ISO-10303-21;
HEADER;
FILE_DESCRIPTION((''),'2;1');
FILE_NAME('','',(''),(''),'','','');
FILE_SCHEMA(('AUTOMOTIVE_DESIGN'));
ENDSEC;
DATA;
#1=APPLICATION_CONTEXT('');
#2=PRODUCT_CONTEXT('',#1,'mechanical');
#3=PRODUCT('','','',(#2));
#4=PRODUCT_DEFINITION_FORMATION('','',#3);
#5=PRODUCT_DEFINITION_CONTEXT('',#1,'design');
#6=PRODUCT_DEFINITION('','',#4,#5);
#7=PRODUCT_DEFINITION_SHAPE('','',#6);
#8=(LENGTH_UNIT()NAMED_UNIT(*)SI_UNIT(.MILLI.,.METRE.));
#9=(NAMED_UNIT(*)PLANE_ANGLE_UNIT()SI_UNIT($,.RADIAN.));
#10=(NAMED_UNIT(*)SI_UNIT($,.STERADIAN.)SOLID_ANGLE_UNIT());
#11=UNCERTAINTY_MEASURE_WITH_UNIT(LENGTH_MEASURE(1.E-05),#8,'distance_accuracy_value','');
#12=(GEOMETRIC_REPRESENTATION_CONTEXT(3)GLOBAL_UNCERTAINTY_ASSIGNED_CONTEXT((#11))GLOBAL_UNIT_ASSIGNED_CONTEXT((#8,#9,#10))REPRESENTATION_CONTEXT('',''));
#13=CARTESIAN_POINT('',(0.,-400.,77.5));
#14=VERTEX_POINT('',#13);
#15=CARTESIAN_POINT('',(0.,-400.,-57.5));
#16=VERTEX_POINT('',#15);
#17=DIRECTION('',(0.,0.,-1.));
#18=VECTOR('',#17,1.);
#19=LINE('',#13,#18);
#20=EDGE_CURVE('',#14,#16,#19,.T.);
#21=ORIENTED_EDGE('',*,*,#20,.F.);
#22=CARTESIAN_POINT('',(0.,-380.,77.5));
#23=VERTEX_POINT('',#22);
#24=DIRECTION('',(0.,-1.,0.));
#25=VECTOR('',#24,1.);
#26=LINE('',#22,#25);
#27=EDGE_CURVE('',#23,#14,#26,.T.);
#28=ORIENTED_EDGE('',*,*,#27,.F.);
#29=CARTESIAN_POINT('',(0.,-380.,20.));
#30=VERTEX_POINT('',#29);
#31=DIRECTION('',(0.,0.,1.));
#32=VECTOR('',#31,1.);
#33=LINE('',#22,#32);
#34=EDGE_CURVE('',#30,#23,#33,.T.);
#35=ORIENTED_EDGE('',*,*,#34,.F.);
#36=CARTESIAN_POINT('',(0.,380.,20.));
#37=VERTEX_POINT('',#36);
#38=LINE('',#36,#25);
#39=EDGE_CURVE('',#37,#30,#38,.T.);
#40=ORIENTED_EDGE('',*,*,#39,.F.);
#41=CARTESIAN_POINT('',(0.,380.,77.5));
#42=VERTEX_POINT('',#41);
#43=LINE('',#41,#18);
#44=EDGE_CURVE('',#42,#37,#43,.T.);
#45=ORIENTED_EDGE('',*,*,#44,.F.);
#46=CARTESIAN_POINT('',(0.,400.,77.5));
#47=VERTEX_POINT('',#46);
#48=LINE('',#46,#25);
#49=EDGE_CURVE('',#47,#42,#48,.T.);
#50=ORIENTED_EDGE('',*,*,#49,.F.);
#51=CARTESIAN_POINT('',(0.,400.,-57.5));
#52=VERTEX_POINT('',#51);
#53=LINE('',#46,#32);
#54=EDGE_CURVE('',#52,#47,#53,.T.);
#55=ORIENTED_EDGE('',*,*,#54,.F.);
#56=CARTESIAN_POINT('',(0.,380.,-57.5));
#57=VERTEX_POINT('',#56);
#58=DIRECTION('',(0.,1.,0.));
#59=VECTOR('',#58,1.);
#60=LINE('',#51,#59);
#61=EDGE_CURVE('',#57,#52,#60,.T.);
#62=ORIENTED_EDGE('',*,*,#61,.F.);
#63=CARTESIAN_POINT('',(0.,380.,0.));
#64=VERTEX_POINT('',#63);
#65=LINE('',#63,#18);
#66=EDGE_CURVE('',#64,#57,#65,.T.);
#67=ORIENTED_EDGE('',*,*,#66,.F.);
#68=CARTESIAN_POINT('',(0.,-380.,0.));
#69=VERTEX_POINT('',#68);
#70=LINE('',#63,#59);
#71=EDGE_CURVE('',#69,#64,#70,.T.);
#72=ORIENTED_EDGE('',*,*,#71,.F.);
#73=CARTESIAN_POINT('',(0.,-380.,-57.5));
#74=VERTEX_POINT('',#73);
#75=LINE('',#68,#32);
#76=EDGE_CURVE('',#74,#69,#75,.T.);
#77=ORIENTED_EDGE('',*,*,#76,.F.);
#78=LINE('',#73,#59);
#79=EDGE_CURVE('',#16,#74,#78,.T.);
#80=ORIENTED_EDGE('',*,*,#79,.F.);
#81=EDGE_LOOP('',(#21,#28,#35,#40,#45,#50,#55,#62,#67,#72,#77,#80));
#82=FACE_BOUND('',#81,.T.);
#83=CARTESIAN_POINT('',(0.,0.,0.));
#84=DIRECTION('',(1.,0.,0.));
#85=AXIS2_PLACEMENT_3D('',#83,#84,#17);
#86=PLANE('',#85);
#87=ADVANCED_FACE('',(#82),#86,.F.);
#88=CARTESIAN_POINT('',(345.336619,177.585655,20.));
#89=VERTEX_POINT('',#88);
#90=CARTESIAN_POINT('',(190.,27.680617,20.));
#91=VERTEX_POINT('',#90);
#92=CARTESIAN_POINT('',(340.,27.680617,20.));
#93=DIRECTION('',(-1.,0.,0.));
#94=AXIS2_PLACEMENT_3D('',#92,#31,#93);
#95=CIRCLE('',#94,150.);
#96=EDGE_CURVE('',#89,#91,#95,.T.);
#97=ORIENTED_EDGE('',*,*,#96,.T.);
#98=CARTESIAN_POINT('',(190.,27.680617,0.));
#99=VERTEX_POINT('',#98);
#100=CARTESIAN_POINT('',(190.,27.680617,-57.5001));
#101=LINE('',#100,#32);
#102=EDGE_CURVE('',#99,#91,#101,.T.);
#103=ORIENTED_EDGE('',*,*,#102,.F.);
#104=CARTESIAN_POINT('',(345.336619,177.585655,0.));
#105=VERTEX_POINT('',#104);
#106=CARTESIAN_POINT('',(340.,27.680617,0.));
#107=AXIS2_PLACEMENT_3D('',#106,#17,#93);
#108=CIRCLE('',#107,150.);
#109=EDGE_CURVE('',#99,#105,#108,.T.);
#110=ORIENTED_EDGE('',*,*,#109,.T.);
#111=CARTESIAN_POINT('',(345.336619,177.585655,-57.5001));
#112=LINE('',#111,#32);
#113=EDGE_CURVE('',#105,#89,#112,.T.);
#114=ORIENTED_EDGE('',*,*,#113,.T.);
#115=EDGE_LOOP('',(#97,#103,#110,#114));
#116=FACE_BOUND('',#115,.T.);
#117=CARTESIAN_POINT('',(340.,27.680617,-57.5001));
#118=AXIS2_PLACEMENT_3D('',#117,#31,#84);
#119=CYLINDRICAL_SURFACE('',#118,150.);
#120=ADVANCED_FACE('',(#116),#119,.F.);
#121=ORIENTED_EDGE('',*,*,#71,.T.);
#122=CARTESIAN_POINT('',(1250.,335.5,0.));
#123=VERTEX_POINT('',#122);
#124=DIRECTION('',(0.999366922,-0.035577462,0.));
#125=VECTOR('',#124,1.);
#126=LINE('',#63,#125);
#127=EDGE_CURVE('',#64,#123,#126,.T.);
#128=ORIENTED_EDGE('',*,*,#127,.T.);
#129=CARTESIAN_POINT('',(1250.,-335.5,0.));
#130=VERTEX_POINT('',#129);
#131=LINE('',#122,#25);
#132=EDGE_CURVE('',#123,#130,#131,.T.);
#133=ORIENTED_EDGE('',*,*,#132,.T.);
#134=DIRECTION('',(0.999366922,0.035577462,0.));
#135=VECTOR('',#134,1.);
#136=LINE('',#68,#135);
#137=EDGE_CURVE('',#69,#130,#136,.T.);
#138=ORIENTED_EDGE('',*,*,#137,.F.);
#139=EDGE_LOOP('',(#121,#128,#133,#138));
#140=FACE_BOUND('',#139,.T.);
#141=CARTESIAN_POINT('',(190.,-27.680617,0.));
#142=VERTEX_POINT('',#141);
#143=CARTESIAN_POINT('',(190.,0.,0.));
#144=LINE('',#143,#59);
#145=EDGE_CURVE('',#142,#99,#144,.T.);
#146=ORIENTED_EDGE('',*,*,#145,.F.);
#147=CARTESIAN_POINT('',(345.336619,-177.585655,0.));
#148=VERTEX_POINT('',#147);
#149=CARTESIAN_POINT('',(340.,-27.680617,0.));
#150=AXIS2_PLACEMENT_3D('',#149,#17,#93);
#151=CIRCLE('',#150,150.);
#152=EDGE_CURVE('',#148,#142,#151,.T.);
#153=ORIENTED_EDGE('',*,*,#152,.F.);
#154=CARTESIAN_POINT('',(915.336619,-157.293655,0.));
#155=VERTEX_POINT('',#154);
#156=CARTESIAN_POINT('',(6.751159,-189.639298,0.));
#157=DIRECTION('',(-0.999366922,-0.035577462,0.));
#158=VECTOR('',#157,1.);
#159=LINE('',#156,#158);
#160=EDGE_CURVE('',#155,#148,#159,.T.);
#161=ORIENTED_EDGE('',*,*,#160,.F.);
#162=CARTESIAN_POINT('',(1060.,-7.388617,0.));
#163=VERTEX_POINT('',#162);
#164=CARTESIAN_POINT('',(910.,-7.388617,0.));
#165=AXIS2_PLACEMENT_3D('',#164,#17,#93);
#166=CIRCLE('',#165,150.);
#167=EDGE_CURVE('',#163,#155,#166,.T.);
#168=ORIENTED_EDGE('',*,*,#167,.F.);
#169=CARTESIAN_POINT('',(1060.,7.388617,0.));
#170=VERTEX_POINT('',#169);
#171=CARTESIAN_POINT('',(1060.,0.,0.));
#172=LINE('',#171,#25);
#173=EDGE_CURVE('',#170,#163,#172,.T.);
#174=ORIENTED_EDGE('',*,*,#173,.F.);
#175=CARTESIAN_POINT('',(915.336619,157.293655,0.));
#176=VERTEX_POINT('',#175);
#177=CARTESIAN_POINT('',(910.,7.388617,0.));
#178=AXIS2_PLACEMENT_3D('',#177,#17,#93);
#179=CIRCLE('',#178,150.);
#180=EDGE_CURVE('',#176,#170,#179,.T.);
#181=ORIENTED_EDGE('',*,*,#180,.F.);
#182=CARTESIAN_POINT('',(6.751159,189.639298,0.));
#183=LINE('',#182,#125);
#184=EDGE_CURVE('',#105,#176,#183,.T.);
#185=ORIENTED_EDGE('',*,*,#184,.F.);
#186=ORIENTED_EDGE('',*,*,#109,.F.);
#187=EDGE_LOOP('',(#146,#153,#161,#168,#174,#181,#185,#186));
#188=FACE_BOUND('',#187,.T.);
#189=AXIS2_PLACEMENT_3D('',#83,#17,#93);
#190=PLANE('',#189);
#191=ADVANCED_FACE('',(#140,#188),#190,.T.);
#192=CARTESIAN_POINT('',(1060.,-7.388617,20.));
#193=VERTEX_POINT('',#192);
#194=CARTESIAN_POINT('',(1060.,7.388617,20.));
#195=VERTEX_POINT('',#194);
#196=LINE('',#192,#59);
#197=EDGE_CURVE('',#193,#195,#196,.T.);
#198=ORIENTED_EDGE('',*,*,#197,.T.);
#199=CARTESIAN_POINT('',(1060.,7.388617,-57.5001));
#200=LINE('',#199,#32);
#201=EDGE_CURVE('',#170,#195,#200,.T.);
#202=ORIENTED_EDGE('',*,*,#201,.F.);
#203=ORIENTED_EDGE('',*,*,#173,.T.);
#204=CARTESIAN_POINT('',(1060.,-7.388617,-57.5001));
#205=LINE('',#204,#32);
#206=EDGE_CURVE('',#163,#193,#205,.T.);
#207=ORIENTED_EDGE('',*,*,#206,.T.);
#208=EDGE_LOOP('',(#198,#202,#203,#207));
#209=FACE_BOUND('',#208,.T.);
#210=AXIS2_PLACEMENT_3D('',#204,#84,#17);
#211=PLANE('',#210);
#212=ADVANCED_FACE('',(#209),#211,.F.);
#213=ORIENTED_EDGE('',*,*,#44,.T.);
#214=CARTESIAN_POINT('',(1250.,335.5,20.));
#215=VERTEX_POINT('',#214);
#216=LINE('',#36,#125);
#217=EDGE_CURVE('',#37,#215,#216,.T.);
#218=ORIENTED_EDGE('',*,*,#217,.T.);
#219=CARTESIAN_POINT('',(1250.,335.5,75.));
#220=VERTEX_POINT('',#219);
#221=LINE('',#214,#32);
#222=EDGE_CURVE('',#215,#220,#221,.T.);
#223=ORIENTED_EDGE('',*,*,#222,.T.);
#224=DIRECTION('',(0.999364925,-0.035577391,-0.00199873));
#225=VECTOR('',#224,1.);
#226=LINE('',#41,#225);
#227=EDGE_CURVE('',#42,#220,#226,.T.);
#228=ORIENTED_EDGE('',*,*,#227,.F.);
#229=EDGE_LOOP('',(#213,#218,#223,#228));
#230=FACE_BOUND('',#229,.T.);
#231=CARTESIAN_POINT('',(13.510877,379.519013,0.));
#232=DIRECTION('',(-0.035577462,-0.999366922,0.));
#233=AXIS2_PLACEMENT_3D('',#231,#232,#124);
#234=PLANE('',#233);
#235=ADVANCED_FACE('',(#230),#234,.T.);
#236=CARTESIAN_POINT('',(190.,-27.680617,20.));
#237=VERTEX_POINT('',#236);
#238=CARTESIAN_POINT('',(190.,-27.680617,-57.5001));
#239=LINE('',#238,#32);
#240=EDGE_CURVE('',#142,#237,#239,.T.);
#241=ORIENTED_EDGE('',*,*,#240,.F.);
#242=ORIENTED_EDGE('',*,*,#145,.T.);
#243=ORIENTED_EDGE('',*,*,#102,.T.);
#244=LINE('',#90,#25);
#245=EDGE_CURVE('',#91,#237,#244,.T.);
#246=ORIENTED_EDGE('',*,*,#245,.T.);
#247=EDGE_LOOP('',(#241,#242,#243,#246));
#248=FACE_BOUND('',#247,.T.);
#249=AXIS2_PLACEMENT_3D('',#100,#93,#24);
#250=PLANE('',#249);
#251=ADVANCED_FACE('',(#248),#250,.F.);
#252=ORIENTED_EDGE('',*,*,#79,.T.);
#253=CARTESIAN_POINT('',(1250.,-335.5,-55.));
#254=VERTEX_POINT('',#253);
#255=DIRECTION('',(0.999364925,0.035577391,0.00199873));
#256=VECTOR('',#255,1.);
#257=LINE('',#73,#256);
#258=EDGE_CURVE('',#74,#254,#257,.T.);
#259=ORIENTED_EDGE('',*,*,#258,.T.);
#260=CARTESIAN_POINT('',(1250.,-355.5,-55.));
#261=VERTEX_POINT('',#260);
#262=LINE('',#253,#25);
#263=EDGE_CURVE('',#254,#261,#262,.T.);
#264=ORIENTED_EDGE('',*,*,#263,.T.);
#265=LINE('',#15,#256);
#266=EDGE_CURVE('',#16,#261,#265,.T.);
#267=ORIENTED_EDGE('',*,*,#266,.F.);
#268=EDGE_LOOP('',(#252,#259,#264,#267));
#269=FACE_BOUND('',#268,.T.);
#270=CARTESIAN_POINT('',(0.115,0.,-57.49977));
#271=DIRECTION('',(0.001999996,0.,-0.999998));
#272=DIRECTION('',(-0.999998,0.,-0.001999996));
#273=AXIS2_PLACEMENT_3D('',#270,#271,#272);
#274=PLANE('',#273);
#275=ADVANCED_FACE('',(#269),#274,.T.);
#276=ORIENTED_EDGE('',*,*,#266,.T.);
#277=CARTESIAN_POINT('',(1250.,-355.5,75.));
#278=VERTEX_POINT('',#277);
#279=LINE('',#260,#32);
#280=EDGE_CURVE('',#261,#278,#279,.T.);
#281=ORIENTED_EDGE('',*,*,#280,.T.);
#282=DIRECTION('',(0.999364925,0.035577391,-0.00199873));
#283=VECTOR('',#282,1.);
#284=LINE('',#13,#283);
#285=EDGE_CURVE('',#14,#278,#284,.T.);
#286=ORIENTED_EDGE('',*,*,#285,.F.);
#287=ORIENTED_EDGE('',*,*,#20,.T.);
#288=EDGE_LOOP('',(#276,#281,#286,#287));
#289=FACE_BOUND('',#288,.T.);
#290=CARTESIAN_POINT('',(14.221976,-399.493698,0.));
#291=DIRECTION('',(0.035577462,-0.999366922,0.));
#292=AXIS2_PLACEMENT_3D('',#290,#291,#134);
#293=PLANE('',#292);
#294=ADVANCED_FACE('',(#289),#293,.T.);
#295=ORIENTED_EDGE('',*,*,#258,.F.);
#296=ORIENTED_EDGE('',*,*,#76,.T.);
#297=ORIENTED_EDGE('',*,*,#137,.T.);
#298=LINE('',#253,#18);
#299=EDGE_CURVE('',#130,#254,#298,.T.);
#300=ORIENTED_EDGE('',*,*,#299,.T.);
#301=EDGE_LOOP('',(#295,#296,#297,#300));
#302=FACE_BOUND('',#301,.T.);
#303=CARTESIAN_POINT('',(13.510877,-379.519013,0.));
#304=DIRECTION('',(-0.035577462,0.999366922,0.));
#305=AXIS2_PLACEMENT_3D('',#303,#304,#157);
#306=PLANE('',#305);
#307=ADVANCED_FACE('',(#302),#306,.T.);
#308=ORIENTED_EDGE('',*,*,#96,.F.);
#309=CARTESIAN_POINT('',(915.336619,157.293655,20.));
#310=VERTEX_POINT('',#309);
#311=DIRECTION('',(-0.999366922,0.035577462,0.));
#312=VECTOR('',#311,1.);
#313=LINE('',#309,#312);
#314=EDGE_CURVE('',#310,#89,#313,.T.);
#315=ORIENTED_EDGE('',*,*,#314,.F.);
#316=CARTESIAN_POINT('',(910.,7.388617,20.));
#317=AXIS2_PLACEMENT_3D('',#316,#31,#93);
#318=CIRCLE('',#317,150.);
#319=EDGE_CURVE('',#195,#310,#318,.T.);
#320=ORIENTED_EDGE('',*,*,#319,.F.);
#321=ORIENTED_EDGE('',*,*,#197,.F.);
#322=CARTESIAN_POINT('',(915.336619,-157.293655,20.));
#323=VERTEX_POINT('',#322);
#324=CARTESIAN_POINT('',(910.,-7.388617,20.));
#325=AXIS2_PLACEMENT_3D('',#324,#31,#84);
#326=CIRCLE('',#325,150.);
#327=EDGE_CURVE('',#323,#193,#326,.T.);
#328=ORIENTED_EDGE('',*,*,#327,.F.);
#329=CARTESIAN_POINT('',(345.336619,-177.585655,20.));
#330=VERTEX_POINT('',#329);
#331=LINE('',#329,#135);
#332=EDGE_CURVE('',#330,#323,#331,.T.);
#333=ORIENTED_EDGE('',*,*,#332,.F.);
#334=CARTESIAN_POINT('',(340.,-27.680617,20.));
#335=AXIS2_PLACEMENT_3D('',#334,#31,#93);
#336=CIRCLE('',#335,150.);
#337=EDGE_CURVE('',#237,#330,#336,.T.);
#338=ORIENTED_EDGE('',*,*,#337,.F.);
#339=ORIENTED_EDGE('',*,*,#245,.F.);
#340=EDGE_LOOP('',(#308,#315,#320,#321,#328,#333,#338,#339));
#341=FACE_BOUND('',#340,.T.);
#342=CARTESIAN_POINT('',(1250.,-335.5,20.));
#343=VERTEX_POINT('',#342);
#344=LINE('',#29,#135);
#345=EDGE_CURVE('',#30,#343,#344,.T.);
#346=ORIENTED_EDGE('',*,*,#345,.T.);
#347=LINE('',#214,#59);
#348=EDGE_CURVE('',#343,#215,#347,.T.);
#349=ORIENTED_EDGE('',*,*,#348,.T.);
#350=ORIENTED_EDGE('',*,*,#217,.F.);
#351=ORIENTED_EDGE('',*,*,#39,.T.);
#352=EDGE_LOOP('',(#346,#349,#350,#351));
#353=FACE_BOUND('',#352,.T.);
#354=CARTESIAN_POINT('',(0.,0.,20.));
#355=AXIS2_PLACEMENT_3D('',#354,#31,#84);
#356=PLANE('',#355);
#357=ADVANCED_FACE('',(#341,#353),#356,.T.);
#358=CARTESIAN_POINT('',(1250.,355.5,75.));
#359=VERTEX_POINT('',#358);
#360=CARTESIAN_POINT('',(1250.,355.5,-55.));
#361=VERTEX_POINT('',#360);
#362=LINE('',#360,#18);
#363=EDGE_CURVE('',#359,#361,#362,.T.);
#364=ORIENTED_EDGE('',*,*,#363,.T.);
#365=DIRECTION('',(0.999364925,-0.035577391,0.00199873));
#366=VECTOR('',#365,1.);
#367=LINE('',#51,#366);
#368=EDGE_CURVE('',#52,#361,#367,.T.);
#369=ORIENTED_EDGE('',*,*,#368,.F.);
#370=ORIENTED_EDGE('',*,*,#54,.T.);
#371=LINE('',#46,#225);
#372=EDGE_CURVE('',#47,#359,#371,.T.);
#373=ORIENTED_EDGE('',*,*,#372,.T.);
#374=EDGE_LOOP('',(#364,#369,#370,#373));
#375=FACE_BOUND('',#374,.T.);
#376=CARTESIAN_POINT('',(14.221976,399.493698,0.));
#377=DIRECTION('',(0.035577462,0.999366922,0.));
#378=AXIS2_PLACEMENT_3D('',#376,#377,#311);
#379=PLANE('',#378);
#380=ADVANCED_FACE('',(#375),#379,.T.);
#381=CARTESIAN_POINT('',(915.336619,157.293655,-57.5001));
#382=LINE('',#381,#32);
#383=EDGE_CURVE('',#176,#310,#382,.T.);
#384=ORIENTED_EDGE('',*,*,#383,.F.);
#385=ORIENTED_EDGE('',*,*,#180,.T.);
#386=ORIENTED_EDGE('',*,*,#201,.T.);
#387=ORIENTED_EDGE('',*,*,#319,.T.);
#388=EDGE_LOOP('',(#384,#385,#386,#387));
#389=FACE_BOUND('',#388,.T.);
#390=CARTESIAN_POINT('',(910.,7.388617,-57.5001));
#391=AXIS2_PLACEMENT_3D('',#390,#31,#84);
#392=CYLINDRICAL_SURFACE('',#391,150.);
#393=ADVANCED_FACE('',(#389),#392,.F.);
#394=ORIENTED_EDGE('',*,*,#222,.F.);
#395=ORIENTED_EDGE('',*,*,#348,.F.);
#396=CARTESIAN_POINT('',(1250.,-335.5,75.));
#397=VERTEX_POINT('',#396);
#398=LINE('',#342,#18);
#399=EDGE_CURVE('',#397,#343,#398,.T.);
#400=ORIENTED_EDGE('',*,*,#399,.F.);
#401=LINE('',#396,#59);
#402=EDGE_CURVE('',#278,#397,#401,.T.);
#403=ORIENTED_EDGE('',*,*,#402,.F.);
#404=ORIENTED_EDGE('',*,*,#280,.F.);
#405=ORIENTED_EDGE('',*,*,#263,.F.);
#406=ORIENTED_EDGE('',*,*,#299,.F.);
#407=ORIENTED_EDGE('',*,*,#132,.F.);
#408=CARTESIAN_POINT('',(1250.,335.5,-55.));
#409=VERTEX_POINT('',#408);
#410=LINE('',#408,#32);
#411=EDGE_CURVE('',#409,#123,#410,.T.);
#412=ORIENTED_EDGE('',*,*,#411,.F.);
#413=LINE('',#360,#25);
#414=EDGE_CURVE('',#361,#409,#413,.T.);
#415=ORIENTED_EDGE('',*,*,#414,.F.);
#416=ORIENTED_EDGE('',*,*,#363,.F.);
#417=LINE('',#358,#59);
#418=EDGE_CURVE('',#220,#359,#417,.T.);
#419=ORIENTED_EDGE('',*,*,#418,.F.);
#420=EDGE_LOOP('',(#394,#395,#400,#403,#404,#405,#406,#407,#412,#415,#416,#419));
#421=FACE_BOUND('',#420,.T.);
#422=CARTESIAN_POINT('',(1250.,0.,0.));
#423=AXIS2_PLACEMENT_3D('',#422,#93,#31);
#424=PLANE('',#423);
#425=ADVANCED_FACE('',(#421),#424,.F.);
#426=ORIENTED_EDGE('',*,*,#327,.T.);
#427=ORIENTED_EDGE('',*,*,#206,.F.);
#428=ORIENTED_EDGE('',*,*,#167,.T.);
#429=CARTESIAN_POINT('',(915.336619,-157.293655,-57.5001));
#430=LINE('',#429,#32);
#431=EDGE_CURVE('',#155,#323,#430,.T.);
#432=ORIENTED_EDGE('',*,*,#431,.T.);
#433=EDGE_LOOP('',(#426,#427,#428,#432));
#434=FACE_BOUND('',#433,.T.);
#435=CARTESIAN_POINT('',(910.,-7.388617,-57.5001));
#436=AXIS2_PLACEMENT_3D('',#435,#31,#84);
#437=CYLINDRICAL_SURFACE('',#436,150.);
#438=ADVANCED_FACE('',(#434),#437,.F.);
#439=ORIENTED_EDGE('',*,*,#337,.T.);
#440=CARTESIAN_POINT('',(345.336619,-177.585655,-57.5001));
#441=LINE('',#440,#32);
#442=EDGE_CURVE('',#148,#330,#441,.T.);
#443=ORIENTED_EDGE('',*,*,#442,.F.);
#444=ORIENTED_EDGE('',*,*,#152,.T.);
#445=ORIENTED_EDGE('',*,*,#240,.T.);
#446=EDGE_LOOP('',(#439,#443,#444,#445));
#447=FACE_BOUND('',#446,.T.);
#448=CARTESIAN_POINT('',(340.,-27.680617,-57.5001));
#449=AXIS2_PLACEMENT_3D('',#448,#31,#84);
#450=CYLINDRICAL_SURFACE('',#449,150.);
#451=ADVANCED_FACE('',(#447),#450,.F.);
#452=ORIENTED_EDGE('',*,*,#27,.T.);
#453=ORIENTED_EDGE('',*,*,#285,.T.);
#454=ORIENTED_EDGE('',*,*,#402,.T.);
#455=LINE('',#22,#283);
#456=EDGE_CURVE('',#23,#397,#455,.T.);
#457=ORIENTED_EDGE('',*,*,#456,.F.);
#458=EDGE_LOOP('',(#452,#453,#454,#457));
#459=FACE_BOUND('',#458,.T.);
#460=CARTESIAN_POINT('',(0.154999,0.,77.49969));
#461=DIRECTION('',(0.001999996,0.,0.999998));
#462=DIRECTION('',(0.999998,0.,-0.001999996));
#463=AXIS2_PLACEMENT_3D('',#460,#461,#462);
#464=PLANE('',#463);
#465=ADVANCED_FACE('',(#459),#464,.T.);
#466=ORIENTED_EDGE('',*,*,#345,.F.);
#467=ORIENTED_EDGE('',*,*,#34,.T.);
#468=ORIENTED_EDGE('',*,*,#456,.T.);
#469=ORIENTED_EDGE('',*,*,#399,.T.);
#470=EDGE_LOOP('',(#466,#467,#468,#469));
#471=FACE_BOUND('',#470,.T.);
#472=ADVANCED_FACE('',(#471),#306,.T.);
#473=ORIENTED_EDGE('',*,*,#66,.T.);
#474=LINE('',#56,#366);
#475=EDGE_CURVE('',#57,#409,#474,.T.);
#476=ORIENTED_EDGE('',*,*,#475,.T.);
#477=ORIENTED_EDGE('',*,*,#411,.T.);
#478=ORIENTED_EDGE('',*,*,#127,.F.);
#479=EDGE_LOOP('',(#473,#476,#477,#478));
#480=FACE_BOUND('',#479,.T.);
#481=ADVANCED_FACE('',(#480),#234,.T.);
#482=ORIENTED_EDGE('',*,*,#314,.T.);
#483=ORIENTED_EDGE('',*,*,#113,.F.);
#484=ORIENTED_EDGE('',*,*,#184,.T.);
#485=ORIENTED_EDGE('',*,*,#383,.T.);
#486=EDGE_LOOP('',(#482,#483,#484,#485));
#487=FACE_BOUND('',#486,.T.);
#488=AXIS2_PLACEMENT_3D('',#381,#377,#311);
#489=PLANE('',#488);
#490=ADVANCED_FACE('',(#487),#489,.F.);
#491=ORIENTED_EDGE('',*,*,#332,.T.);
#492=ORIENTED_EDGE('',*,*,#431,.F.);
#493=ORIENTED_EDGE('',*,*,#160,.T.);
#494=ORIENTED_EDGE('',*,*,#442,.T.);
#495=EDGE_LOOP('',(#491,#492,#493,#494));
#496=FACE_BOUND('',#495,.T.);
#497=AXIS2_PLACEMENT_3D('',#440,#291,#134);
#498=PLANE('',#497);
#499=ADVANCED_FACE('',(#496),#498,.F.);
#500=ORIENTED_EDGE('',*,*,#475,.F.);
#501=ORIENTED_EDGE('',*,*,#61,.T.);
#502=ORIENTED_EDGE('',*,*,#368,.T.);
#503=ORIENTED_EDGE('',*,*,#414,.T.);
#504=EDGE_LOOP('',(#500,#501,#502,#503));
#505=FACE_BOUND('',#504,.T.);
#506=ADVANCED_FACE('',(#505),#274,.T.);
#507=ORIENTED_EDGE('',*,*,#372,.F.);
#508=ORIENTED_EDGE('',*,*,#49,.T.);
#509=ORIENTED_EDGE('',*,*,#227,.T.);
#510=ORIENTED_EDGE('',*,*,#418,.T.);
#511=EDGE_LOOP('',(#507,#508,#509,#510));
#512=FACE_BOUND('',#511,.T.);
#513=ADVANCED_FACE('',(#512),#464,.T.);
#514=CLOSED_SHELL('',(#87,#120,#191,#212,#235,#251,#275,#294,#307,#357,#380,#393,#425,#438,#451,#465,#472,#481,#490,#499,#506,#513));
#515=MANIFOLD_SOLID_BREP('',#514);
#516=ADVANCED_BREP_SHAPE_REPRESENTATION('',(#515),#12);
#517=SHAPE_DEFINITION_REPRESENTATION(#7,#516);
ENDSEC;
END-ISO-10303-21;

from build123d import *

# Parameters (mm, degrees)
CUT_EXTRUDE1_DEPTH = 78.5000001


with BuildPart() as part:
    # Sketch1 → Loft l1 section 0
    with BuildSketch(Plane(origin=(0, 0, 0), x_dir=(0, 0, -1), z_dir=(1, 0, 0))):
        Polygon((-77.5, 400), (57.5, 400), (57.5, 380), (0, 380), (0, -380), (57.5, -380), (57.5, -400), (-77.5, -400), (-77.5, -380), (-20, -380), (-20, 380), (-77.5, 380), align=None)
    # Sketch4 → Loft l1 section 1
    with BuildSketch(Plane(origin=(1250, 0, -1000), x_dir=(0, 0, 1), z_dir=(-1, 0, 0))):
        Polygon((945, 355.5), (1075, 355.5), (1075, 335.5), (1020, 335.5), (1020, -335.5), (1075, -335.5), (1075, -355.5), (945, -355.5), (945, -335.5), (1000, -335.5), (1000, 335.5), (945, 335.5), align=None)
    loft()

    # Sketch6 → Cut-Extrude1 (cut, through all)
    with BuildSketch(Plane.XY.offset(20)):
        with BuildLine():
            Line((345.336619362, -177.585655274), (915.336619362, -157.293655274))
            ThreePointArc((915.336619362, -157.293655274), (1017.936307386, -111.550767286), (1060, -7.38861702))
            Line((1060, -7.38861702), (1060, 7.38861702))
            ThreePointArc((1060, 7.38861702), (1017.936307386, 111.550767286), (915.336619362, 157.293655274))
            Line((915.336619362, 157.293655274), (345.336619362, 177.585655274))
            ThreePointArc((345.336619362, 177.585655274), (235.837849735, 135.616924406), (190, 27.68061702))
            Line((190, 27.68061702), (190, -27.68061702))
            ThreePointArc((190, -27.68061702), (235.837849735, -135.616924406), (345.336619362, -177.585655274))
        make_face()
    extrude(amount=-CUT_EXTRUDE1_DEPTH, mode=Mode.SUBTRACT)


solid = part.part
